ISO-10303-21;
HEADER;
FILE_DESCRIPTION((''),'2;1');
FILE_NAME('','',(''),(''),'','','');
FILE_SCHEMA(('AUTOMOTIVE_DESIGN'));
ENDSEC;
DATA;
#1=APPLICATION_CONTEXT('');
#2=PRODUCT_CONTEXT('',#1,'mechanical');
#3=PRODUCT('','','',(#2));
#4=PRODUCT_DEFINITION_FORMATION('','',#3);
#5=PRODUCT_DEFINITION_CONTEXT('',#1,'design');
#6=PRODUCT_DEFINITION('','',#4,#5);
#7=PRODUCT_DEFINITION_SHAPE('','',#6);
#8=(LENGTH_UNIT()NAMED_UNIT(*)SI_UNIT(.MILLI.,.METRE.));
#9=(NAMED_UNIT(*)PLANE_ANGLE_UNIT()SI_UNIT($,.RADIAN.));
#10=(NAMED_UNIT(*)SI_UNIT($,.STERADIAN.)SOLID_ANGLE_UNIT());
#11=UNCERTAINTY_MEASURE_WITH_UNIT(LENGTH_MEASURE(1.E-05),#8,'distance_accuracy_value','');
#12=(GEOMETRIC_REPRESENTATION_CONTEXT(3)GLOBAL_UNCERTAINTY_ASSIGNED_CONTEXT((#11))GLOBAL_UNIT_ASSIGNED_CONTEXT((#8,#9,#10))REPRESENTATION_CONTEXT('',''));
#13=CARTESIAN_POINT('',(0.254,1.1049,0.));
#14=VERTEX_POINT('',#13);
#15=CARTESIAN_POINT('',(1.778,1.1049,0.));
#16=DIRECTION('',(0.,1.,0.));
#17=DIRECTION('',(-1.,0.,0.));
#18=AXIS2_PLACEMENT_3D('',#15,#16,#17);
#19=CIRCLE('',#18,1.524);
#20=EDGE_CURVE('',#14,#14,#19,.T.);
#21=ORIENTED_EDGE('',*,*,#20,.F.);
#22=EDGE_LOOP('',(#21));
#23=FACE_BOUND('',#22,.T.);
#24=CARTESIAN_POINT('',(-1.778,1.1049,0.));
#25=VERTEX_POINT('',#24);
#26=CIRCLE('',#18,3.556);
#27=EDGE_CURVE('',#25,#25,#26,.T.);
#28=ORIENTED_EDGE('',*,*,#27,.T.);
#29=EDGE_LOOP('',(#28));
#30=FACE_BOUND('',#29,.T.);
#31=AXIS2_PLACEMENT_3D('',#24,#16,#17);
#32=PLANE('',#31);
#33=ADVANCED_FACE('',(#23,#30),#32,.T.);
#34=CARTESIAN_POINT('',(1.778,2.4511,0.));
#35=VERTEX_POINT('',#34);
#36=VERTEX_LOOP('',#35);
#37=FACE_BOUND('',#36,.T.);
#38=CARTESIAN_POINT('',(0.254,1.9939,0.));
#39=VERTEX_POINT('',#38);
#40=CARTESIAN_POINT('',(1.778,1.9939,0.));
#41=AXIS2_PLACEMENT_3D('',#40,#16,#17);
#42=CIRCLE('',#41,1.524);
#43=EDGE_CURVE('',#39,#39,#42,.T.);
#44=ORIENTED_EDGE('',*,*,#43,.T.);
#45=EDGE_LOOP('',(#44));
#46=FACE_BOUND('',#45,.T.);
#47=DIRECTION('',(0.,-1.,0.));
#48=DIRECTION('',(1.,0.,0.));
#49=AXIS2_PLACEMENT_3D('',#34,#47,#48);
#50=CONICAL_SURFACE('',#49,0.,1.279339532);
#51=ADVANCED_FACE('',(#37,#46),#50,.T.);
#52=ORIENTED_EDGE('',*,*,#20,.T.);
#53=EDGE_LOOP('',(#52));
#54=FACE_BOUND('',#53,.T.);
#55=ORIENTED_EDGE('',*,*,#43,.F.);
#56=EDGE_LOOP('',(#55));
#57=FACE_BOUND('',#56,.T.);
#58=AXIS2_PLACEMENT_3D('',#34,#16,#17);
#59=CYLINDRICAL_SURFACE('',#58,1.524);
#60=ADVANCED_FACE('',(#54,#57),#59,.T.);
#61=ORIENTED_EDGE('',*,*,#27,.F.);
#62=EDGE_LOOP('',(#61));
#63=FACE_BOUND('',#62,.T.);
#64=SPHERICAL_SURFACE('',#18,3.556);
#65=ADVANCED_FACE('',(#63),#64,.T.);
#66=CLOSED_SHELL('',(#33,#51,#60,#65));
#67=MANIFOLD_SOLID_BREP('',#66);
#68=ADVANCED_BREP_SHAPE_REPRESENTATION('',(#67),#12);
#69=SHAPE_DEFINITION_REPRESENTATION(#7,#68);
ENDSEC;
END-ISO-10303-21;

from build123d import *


with BuildPart() as part:
    # Sketch1 → Revolve1 (revolve)
    with BuildSketch(Plane.XY):
        with BuildLine():
            Line((-1.778, 1.1049), (0.254, 1.1049))
            Line((0.254, 1.1049), (0.254, 1.9939))
            Line((0.254, 1.9939), (1.778, 2.4511))
            Line((1.778, 2.4511), (1.778, -2.4511))
            ThreePointArc((1.778, -2.4511), (-0.736471714, -1.409571714), (-1.778, 1.1049))
        make_face()
    revolve(axis=Axis((1.778, 2.4511, 0), (0, -1, 0)))


solid = part.part
